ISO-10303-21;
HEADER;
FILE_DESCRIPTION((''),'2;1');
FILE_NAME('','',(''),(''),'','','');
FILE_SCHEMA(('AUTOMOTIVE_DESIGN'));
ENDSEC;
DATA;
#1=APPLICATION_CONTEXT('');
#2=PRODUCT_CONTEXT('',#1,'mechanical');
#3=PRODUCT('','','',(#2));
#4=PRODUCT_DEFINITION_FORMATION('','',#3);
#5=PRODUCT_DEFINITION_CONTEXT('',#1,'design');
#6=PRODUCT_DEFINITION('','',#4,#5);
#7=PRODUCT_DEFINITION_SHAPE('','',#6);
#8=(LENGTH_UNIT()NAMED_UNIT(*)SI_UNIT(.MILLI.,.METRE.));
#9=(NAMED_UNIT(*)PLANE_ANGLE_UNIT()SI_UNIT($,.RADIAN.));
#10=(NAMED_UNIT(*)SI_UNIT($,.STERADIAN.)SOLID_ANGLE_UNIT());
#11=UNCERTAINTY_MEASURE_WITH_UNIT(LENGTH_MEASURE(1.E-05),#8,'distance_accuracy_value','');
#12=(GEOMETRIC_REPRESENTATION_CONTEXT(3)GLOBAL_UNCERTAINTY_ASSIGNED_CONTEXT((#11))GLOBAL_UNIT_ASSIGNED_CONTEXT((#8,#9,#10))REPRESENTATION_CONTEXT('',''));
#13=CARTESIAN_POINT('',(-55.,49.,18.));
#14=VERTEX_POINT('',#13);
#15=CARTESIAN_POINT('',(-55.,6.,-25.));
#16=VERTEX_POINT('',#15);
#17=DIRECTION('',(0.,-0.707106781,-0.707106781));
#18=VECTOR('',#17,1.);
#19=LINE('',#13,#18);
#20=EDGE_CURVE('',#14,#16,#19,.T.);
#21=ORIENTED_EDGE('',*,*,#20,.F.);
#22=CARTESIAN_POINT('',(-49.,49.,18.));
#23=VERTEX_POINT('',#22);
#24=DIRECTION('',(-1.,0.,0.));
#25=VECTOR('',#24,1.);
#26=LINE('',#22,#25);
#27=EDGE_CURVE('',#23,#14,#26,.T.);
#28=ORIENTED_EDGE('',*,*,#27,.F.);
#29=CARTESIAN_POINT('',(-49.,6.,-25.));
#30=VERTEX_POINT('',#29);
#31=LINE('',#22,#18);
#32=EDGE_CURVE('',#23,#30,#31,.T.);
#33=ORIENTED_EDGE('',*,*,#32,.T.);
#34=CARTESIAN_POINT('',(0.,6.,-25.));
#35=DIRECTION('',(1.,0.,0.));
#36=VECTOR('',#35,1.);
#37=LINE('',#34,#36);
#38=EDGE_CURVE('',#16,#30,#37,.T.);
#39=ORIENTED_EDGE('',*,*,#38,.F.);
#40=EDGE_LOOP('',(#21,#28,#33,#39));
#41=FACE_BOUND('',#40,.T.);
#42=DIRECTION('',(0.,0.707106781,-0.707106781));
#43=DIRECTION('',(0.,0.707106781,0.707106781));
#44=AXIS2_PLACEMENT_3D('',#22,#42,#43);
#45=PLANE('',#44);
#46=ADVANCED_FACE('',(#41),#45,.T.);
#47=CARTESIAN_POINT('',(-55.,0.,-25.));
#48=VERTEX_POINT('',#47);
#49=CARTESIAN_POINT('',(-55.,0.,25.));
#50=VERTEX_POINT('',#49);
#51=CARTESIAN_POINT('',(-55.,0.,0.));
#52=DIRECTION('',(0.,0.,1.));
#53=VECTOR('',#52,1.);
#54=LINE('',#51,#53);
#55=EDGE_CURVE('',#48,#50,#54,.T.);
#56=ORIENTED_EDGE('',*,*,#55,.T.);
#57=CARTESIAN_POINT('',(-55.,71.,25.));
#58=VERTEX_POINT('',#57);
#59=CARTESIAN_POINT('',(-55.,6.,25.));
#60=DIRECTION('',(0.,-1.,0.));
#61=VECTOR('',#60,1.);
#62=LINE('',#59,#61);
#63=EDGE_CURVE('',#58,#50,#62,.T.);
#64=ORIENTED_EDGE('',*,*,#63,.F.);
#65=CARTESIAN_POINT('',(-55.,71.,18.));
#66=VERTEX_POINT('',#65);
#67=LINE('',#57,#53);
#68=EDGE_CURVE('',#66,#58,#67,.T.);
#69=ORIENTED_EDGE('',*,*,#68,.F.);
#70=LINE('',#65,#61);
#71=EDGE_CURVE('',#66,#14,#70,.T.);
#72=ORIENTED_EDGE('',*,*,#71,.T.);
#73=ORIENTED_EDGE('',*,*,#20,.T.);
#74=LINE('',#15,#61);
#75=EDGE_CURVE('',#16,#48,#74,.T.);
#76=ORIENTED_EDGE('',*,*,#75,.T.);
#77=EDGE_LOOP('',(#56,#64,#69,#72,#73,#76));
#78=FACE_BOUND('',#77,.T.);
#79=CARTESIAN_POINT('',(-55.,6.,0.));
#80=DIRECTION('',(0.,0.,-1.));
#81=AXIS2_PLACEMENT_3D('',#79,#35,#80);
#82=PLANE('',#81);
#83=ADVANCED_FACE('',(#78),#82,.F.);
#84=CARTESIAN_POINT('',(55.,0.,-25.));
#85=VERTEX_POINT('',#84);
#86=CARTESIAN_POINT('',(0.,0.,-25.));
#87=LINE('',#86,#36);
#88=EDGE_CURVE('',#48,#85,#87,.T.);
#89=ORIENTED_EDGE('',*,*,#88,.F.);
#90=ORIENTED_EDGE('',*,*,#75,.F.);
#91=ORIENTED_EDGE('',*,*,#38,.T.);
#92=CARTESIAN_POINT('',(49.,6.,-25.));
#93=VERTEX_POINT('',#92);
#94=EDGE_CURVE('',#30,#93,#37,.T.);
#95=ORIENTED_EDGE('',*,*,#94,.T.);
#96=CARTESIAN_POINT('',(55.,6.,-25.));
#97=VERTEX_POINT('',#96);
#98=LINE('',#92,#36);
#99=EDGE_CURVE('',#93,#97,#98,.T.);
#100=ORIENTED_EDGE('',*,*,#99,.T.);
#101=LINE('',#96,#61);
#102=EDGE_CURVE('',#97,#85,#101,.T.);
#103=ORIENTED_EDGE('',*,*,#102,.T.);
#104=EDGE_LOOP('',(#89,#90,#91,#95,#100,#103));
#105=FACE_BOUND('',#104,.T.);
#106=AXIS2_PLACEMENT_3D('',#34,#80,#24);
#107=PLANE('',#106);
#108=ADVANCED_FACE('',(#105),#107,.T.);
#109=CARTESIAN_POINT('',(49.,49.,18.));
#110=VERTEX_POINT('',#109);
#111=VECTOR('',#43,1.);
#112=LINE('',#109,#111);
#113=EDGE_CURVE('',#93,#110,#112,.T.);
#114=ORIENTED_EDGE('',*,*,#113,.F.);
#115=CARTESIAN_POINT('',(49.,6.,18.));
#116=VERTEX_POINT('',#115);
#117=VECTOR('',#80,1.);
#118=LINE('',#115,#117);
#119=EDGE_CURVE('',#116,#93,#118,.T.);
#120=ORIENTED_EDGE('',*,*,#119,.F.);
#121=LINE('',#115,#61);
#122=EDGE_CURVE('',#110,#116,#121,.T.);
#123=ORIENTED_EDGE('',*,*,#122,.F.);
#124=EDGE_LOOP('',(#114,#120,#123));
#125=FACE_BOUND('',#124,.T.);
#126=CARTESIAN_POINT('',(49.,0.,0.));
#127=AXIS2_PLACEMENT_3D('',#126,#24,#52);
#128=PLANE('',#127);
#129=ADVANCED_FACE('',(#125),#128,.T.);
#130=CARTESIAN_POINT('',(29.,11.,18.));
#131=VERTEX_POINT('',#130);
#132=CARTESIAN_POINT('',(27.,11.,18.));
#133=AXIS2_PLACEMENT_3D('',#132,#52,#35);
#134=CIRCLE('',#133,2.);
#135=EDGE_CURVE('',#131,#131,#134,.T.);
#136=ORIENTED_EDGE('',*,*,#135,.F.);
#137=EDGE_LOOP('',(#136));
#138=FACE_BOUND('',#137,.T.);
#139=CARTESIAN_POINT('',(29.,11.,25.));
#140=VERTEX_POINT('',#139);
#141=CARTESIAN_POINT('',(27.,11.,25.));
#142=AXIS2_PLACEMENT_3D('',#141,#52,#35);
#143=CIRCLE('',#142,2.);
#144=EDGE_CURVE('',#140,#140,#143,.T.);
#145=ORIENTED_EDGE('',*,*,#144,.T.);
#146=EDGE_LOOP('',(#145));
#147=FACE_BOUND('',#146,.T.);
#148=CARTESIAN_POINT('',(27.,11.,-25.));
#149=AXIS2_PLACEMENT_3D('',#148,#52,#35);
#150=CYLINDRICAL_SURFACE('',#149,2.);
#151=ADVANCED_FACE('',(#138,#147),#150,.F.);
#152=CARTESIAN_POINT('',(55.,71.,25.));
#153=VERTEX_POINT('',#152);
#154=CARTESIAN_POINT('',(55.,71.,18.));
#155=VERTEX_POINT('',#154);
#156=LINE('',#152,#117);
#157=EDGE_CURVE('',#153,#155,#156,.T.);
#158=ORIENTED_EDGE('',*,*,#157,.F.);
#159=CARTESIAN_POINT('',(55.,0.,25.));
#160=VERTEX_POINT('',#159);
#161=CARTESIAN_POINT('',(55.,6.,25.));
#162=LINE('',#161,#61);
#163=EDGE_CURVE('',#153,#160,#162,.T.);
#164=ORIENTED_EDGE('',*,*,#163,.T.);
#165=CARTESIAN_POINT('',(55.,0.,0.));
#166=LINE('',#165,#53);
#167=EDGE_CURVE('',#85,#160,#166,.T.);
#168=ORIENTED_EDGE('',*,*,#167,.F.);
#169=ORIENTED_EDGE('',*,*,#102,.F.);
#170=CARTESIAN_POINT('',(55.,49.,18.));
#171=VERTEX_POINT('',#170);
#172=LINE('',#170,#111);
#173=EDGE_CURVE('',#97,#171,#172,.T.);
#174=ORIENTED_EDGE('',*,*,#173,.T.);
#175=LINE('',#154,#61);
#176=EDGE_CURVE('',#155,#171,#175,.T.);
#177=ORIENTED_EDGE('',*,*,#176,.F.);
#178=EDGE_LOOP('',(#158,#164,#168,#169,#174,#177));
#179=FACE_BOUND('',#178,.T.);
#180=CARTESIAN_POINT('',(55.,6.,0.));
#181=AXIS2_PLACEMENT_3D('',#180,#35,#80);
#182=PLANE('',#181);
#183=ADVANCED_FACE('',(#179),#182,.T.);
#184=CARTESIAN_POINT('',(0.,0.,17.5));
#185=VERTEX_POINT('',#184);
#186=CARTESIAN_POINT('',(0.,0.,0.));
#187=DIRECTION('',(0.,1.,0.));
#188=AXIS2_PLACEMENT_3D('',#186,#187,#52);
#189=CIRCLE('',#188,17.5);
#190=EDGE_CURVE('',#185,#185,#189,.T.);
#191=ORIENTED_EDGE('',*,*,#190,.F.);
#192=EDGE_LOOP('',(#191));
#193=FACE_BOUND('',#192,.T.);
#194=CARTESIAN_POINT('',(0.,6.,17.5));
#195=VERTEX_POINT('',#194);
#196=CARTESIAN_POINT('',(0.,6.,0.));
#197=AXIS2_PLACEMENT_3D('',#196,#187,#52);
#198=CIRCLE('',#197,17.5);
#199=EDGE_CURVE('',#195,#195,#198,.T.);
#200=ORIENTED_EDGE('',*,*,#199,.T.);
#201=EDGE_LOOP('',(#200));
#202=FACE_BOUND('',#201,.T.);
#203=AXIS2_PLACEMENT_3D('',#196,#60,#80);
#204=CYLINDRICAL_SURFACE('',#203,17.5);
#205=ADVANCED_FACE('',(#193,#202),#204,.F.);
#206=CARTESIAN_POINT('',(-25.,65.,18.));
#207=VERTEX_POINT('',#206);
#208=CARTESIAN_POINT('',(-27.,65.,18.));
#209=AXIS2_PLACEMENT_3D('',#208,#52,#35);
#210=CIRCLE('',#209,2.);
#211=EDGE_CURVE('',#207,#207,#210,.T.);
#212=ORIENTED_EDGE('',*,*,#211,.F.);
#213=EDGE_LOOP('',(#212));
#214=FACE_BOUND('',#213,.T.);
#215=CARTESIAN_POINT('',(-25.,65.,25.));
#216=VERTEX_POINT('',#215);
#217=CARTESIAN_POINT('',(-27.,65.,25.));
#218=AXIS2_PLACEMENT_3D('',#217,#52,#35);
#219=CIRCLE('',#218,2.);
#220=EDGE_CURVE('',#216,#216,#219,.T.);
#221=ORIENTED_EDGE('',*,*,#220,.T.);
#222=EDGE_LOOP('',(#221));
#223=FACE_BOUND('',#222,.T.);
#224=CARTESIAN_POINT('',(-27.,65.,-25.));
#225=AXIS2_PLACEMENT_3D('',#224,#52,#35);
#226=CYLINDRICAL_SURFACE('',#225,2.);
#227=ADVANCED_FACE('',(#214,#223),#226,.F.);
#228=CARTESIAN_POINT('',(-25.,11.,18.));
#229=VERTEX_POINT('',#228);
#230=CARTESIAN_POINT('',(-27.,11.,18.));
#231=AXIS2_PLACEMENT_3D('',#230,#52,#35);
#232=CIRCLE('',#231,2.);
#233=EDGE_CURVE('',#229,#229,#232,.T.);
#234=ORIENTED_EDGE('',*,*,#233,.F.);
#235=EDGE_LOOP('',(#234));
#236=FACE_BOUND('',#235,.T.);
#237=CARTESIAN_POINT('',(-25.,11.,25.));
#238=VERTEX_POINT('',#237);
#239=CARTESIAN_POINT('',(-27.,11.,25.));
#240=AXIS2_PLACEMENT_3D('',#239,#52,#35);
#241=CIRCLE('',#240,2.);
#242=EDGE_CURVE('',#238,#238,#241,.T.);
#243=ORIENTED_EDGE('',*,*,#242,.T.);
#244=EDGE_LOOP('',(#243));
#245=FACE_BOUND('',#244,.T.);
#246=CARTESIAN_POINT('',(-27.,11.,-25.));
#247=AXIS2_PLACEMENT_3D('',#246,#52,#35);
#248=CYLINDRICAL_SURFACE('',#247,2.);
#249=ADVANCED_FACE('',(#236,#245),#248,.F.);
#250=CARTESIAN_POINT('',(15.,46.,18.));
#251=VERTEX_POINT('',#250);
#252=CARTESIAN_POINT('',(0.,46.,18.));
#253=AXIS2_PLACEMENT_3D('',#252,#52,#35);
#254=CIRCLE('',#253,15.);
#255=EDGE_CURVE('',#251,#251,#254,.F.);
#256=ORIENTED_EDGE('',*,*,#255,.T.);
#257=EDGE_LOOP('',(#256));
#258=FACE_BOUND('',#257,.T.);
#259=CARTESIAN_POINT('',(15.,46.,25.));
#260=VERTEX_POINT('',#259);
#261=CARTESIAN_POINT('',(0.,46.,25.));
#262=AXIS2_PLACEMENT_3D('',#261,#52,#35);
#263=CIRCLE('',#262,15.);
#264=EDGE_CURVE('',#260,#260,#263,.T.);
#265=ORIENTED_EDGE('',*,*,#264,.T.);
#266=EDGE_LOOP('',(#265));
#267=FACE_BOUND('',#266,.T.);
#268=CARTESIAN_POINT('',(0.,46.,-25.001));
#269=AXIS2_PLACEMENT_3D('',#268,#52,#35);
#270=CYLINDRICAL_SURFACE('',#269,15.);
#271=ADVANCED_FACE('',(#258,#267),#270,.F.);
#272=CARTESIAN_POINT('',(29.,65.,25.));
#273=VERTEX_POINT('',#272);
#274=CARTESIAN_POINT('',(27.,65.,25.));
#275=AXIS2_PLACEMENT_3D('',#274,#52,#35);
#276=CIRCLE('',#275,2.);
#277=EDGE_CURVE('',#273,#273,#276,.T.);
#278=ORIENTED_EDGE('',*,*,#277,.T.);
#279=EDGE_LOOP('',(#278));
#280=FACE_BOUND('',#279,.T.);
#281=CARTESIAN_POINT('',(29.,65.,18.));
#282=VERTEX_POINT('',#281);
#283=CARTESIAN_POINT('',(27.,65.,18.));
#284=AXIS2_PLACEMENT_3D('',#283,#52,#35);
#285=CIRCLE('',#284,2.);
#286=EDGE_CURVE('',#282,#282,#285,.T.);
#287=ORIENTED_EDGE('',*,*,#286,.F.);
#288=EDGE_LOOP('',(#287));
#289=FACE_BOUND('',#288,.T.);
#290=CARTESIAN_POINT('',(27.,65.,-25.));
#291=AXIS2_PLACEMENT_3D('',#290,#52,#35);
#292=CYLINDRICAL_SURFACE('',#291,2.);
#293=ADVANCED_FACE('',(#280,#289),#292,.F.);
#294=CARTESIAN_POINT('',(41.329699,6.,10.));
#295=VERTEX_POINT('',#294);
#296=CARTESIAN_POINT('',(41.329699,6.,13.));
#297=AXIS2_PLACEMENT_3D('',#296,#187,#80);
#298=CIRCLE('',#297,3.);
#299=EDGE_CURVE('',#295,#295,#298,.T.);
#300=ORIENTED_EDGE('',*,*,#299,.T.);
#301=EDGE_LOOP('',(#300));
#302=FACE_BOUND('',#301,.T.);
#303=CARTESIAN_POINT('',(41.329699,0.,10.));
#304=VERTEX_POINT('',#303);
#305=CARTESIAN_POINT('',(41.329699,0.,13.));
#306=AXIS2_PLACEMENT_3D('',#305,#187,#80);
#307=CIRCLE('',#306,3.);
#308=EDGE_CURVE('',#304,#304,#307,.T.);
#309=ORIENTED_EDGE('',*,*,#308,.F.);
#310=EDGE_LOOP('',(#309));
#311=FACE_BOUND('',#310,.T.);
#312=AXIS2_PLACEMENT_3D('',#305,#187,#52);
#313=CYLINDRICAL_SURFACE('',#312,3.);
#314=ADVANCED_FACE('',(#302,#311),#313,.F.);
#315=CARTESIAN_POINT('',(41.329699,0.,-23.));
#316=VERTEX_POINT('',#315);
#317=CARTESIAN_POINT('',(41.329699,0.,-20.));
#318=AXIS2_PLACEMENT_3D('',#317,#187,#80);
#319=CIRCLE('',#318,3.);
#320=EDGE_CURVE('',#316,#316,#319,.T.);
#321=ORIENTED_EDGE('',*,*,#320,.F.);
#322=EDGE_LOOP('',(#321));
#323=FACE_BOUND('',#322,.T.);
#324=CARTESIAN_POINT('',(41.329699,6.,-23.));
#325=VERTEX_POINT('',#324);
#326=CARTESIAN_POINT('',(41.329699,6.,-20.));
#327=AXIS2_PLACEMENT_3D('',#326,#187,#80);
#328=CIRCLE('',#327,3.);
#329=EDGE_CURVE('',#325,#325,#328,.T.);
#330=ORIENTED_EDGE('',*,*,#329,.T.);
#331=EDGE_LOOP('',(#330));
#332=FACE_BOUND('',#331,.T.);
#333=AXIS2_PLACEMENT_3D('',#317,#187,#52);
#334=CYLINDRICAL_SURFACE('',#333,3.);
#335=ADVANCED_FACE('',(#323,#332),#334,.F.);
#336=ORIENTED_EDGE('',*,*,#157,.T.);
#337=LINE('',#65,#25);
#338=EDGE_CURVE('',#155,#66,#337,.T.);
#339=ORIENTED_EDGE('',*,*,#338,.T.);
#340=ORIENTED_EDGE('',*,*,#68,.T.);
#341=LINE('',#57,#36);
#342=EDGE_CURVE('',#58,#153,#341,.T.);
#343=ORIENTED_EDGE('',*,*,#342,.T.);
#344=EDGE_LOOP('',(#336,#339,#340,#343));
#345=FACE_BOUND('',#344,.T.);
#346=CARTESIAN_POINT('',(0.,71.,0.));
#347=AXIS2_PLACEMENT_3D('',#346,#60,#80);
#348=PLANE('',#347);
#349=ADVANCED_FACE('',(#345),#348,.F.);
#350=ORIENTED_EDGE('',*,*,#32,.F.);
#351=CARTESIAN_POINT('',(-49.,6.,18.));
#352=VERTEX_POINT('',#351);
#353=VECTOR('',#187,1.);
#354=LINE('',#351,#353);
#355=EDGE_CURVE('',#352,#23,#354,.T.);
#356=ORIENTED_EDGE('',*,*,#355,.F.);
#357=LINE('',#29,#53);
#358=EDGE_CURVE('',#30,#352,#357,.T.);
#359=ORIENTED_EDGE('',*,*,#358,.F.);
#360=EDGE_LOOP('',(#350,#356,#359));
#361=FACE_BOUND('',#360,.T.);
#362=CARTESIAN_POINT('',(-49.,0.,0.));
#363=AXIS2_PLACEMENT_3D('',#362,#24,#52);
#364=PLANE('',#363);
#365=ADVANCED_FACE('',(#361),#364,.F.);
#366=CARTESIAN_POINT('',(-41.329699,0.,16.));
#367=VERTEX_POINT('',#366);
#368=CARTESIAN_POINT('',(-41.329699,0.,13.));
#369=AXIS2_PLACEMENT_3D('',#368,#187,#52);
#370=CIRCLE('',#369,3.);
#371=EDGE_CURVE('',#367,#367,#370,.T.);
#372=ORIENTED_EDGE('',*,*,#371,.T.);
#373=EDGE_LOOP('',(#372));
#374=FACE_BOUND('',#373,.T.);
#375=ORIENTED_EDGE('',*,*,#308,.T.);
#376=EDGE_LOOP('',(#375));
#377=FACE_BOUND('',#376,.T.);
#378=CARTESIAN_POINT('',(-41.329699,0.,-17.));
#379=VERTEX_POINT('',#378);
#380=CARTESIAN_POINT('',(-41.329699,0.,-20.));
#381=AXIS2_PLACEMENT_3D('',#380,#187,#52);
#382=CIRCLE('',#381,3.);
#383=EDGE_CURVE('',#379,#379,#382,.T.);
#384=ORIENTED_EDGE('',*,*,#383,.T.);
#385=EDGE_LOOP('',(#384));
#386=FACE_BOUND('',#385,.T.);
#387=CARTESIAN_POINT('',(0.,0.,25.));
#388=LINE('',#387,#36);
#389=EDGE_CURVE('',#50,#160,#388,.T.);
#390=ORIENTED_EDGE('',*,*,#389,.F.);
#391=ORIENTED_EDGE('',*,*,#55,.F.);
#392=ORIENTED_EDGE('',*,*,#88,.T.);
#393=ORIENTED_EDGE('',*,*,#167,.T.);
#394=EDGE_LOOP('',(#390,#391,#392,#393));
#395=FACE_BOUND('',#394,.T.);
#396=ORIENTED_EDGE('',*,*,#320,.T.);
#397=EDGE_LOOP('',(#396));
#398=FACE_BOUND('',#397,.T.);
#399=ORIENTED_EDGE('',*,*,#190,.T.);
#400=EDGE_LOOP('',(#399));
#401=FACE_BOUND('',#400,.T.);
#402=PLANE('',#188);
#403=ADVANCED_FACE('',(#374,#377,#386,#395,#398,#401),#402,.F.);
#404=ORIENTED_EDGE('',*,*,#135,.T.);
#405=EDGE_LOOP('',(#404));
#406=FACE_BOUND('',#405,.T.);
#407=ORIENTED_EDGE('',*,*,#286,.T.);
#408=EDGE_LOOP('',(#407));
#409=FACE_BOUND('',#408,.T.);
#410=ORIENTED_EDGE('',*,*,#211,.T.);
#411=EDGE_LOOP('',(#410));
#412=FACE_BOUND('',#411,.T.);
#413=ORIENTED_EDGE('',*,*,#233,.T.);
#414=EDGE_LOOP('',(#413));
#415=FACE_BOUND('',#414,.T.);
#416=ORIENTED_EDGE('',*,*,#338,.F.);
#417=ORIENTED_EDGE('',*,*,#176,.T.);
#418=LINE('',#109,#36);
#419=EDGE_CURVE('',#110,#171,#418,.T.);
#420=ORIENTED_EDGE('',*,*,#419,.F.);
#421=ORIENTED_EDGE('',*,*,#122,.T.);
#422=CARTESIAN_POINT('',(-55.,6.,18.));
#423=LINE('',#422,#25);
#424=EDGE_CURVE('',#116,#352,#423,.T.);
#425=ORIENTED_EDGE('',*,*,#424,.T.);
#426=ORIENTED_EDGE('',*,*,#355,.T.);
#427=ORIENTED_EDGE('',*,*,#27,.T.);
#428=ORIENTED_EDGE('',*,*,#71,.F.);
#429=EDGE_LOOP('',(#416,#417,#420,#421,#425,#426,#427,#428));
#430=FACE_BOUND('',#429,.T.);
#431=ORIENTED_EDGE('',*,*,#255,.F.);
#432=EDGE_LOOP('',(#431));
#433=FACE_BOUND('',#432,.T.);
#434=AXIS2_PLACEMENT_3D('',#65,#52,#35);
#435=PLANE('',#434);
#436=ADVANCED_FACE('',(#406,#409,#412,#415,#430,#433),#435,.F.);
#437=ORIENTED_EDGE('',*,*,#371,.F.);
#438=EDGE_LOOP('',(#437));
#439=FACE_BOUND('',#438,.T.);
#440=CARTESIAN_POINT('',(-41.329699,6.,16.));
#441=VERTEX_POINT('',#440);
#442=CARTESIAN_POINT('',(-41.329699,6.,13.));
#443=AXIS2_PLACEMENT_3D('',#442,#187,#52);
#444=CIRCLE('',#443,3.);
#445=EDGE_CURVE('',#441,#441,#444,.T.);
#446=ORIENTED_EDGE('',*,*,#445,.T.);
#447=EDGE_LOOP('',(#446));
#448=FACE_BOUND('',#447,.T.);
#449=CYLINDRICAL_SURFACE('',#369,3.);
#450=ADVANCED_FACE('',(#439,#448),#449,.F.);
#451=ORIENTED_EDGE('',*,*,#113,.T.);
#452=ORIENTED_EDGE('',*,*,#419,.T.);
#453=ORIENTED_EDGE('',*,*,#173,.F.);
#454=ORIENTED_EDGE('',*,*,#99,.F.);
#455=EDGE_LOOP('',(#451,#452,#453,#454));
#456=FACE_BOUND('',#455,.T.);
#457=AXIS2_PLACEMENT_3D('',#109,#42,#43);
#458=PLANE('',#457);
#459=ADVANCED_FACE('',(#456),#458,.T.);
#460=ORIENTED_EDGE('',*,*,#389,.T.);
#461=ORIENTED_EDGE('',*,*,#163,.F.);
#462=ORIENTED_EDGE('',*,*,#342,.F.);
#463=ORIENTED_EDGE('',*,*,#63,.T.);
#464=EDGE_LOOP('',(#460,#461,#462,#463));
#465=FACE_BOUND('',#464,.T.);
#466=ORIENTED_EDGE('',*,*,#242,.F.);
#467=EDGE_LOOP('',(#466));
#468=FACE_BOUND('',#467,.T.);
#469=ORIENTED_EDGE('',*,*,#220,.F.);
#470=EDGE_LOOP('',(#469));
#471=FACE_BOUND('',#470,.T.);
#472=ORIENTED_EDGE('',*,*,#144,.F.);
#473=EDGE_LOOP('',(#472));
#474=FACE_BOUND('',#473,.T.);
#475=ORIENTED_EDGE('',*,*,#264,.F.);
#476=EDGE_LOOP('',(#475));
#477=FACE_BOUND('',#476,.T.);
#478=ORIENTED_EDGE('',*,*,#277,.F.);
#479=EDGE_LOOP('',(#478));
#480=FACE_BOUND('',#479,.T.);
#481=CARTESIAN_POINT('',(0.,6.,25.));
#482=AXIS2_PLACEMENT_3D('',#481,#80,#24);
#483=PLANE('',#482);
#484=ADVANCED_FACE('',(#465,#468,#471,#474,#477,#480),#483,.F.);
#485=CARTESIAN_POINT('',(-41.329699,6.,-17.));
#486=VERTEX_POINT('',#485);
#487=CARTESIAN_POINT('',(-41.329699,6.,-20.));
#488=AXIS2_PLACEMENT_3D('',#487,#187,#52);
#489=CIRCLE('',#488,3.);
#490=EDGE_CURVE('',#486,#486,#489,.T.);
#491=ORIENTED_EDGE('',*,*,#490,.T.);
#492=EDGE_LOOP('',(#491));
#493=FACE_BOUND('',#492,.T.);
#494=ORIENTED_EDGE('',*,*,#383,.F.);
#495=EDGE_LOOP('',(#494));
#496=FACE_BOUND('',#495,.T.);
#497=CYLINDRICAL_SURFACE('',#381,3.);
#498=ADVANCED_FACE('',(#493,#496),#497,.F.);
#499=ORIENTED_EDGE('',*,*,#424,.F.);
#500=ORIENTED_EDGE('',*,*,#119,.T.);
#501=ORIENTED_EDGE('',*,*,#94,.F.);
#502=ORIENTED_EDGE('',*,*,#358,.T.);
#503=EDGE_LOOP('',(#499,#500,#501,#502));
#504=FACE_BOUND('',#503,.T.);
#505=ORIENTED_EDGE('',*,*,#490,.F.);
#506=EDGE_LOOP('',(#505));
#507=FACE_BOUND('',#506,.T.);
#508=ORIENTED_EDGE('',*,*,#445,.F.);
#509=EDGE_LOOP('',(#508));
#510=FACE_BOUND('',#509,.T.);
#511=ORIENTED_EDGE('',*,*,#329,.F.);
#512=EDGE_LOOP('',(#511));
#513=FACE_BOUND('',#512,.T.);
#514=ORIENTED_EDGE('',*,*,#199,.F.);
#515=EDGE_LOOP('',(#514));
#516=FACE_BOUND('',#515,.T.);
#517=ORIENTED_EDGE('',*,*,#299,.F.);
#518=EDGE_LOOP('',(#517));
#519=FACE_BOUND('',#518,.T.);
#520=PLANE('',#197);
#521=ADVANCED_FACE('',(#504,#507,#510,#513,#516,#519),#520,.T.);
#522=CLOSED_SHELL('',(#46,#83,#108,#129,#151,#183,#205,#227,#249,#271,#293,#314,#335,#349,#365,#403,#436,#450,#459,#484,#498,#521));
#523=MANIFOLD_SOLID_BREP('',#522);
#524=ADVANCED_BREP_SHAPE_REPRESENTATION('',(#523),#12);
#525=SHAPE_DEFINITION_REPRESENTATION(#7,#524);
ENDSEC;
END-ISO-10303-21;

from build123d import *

# Parameters (mm, degrees)
SKETCH1_W           = 110
SKETCH1_H           = 50
SKETCH1_R           = 17.5
BOSS_EXTRUDE1_DEPTH = 6
SKETCH2_W           = 110
SKETCH2_H           = 7
BOSS_EXTRUDE2_DEPTH = 65
BOSS_EXTRUDE3_DEPTH = 6
BOSS_EXTRUDE4_DEPTH = 6
CUT_EXTRUDE1_REACH  = 52
SKETCH5_R           = 15
SKETCH6_R           = 3
CUT_EXTRUDE2_DEPTH  = 7
SKETCH7_R           = 2
CUT_EXTRUDE3_DEPTH  = 51


with BuildPart() as part:
    # Sketch1 → Boss-Extrude1 (new body)
    with BuildSketch(Plane(origin=(0, 0, 0), x_dir=(1, 0, 0), z_dir=(0, 1, 0))):
        Rectangle(SKETCH1_W, SKETCH1_H)
        Circle(SKETCH1_R, mode=Mode.SUBTRACT)
    extrude(amount=BOSS_EXTRUDE1_DEPTH)

    # Sketch2 → Boss-Extrude2 (add)
    with BuildSketch(Plane(origin=(0, 6, 0), x_dir=(1, 0, 0), z_dir=(0, 1, 0))):
        with Locations((0, -21.5)):
            Rectangle(SKETCH2_W, SKETCH2_H)
    extrude(amount=BOSS_EXTRUDE2_DEPTH)

    # Sketch3 → Boss-Extrude3 (add)
    with BuildSketch(Plane(origin=(55, 0, 0), x_dir=(0, 0, -1), z_dir=(1, 0, 0))):
        Polygon((-18, 6), (25, 6), (-18, 49), align=None)
    extrude(amount=-BOSS_EXTRUDE3_DEPTH)

    # Sketch4 → Boss-Extrude4 (add)
    with BuildSketch(Plane.ZY.offset(55)):
        Polygon((-25, 6), (18, 6), (18, 49), align=None)
    extrude(amount=-BOSS_EXTRUDE4_DEPTH)

    # Sketch5 → Cut-Extrude1 (cut, up to next)
    with BuildSketch(Plane.XY.offset(25), mode=Mode.PRIVATE) as cut_extrude1_sk1:
        with Locations((0, 46)):
            Circle(SKETCH5_R)
    cut_extrude1_tool1 = extrude(cut_extrude1_sk1.sketch, amount=-CUT_EXTRUDE1_REACH, mode=Mode.PRIVATE) & part.part
    add(cut_extrude1_tool1.solids().sort_by_distance((0, 46, 25))[0], mode=Mode.SUBTRACT)

    # Sketch6 → Cut-Extrude2 (cut, through all)
    with BuildSketch(Plane(origin=(0, 6, 0), x_dir=(1, 0, 0), z_dir=(0, 1, 0))):
        with Locations((-41.329699244, 20)):
            Circle(SKETCH6_R)
        with Locations((-41.329699244, -13)):
            Circle(SKETCH6_R)
        with Locations((41.329699244, -13)):
            Circle(SKETCH6_R)
        with Locations((41.329699244, 20)):
            Circle(SKETCH6_R)
    extrude(amount=-CUT_EXTRUDE2_DEPTH, mode=Mode.SUBTRACT)

    # Sketch7 → Cut-Extrude3 (cut, through all)
    with BuildSketch(Plane.XY.offset(25)):
        with Locations((-27, 65)):
            Circle(SKETCH7_R)
        with Locations((27, 65)):
            Circle(SKETCH7_R)
        with Locations((-27, 11)):
            Circle(SKETCH7_R)
        with Locations((27, 11)):
            Circle(SKETCH7_R)
    extrude(amount=-CUT_EXTRUDE3_DEPTH, mode=Mode.SUBTRACT)


solid = part.part
